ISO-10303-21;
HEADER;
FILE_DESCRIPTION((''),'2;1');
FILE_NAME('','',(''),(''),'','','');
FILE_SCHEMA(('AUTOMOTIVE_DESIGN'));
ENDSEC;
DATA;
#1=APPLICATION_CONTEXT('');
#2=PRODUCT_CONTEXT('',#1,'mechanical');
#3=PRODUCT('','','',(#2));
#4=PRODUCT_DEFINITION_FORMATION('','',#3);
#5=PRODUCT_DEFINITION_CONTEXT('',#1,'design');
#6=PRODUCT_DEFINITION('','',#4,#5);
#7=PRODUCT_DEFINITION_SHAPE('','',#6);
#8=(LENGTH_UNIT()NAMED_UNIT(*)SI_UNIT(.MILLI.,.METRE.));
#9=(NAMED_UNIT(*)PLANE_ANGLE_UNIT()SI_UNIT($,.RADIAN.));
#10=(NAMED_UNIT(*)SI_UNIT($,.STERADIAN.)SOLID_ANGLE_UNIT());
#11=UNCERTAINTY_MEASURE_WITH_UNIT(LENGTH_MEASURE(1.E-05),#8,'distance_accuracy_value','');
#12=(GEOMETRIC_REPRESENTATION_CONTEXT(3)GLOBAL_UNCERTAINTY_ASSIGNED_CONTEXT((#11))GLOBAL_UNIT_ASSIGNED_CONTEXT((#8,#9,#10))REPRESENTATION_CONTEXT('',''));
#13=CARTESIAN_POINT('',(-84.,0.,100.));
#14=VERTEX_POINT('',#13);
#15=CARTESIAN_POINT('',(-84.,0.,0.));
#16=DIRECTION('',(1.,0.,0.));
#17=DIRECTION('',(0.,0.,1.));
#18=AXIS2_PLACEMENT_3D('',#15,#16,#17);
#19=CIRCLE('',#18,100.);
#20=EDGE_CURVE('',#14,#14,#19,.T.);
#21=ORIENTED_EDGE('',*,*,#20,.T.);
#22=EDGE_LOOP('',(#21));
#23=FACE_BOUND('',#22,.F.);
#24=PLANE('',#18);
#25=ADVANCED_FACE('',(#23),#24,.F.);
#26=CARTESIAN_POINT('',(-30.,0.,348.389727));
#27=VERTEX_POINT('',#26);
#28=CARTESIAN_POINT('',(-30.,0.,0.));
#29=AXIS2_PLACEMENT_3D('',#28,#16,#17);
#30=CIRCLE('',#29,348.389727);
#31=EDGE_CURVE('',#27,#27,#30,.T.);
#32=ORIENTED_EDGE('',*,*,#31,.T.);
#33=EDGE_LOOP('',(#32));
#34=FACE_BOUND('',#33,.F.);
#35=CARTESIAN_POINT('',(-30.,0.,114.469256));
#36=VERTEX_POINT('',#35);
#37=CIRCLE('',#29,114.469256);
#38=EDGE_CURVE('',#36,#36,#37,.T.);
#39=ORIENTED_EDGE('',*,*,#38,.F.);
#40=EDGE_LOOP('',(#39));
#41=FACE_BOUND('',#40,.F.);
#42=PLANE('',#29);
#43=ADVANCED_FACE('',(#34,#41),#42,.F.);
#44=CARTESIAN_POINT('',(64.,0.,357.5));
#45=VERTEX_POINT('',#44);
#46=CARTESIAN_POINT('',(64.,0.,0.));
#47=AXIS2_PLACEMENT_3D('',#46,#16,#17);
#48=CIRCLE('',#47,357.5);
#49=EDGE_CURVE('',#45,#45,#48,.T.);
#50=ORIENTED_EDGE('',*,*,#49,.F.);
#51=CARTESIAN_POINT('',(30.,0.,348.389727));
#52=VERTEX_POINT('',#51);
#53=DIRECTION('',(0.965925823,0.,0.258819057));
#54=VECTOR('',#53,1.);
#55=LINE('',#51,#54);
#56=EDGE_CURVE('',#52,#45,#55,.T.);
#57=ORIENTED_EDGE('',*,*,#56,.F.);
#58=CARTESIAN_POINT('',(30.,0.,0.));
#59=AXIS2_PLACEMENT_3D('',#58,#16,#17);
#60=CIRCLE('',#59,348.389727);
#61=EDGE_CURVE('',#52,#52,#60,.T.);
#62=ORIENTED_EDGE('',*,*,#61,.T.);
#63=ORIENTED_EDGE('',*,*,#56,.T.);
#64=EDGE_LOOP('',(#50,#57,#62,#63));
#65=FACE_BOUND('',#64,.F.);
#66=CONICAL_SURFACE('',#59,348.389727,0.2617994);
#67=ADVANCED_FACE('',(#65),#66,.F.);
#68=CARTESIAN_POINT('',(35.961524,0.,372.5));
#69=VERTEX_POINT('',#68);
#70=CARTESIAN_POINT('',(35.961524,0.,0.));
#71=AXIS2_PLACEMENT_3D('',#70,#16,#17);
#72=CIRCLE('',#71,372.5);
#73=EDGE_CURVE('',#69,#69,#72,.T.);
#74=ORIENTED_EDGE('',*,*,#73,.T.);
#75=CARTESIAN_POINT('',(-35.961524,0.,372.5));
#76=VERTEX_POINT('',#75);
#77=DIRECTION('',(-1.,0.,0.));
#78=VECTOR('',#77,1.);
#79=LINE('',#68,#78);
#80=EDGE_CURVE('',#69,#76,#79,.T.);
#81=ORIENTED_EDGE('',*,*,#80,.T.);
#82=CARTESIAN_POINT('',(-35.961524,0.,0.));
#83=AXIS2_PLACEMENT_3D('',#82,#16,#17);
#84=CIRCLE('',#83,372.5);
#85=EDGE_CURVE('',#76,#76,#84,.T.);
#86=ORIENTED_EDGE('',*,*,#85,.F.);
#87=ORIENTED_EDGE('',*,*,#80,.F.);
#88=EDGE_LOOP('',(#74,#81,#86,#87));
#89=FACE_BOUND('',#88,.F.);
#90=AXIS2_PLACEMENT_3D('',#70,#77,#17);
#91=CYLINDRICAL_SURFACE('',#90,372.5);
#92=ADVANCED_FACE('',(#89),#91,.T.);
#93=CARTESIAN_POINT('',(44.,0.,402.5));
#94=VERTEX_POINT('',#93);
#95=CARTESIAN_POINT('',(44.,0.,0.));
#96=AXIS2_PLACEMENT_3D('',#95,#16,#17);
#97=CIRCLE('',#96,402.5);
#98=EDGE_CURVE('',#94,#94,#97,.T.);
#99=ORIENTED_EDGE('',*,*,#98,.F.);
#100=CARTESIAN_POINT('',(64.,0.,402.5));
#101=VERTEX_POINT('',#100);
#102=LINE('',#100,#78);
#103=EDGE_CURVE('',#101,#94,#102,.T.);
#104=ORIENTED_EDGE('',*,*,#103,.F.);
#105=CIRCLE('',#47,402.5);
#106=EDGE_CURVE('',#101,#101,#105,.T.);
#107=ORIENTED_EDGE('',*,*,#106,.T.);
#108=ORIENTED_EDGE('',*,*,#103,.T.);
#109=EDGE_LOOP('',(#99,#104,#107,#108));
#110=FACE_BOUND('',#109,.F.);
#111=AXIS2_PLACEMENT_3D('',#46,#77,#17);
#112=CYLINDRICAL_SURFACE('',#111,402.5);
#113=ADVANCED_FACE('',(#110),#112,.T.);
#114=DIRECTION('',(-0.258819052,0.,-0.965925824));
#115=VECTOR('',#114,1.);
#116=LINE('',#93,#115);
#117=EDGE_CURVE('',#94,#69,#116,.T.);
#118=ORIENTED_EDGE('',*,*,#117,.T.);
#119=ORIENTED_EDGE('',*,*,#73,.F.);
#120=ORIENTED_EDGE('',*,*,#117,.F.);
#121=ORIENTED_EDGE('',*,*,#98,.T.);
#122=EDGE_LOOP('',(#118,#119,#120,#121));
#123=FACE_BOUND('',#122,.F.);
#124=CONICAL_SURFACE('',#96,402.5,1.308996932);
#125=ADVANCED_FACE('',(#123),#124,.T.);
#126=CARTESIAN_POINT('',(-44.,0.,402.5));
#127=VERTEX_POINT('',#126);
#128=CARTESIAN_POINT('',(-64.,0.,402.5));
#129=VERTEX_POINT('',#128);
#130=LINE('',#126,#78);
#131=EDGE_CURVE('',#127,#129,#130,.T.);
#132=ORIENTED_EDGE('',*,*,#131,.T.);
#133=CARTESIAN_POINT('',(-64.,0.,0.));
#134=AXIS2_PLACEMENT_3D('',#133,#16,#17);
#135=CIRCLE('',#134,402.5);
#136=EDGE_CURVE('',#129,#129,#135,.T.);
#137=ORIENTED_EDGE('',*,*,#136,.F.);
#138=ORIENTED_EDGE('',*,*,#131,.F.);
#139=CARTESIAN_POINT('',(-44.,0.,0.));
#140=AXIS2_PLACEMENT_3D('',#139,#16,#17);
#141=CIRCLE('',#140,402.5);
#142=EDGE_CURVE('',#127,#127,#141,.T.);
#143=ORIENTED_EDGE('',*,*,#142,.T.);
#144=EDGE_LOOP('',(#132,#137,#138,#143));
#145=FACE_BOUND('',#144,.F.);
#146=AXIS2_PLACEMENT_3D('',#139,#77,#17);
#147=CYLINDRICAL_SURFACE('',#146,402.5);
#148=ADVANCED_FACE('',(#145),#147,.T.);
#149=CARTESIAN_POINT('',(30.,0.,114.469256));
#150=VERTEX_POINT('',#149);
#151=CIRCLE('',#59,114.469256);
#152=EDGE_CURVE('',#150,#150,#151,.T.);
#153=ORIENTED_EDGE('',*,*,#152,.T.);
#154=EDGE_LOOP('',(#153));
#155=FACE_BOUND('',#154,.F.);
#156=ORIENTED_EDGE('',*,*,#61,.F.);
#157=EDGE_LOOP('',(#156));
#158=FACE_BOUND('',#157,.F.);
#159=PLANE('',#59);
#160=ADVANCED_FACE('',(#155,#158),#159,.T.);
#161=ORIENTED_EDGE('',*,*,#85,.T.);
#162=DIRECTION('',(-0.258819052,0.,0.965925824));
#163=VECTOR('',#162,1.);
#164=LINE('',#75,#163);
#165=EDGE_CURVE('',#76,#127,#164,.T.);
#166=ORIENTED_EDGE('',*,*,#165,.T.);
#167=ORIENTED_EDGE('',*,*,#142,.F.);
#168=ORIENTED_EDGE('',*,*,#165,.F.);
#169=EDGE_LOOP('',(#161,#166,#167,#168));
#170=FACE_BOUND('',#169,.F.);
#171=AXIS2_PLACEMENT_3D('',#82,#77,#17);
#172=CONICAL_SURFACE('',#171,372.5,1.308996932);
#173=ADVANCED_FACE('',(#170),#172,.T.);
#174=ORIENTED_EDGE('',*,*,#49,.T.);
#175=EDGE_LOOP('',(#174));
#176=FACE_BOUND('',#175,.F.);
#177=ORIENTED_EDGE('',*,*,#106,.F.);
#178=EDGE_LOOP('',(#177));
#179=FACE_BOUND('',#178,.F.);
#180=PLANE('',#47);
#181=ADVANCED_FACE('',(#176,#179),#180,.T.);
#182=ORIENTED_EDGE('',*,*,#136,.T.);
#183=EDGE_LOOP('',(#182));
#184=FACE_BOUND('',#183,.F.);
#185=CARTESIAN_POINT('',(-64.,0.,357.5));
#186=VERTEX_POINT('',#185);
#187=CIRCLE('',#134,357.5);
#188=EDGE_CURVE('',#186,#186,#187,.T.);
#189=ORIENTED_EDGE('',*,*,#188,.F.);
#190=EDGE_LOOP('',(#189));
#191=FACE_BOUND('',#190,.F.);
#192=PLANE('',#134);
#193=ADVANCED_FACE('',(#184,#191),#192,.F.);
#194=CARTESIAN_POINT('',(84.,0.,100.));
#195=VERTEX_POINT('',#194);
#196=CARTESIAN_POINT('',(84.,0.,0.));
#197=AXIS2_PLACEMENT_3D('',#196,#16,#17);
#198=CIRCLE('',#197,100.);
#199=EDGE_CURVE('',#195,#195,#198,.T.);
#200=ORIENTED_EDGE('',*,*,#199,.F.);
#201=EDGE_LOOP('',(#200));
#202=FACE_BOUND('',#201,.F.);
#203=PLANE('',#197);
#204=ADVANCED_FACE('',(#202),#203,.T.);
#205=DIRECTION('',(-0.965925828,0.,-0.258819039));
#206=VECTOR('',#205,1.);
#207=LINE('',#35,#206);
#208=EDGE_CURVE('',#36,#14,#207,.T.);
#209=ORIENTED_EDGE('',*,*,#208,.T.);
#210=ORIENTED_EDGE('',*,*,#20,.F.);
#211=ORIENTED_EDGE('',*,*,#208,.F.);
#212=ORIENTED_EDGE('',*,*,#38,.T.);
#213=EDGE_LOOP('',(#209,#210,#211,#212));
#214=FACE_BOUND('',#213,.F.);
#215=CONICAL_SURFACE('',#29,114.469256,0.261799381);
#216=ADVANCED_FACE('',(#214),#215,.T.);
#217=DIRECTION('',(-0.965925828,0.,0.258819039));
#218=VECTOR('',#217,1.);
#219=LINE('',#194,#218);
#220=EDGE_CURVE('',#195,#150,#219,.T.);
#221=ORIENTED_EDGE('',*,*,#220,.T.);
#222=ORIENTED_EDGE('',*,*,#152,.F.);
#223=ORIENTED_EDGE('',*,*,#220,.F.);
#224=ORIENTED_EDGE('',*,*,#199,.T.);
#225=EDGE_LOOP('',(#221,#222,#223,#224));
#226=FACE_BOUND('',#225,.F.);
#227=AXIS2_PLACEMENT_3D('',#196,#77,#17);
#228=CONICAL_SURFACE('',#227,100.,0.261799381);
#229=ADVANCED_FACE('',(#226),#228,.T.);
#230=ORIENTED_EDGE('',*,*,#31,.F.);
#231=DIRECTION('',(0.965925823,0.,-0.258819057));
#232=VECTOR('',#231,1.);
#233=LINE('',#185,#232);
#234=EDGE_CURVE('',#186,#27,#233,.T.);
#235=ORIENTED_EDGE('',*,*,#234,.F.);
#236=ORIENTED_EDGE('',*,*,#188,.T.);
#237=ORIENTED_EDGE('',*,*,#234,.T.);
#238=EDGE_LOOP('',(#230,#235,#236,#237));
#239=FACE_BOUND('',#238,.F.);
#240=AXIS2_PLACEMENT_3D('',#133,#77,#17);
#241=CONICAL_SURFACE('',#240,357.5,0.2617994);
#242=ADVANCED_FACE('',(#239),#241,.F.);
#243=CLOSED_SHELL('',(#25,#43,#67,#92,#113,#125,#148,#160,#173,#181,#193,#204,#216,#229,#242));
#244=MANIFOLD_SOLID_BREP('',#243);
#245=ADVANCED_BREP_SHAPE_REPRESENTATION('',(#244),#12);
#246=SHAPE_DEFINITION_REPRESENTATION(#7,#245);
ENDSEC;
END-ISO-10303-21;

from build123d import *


with BuildPart() as f1:
    # F0 (on Front) → F1 (revolve)
    with BuildSketch(Plane.XZ):
        Polygon((-84, 100), (-84, 0), (84, 0), (84, 100), (30, 114.469256), (30, 348.389727), (64, 357.5), (64, 402.5), (44, 402.5), (35.961524, 372.5), (0, 372.5), (-35.961524, 372.5), (-44, 402.5), (-64, 402.5), (-64, 357.5), (-30, 348.389727), (-30, 114.469256), align=None)
    revolve(axis=Axis((22.442533, 0, 0), (1, 0, 0)))


solid = f1.part
